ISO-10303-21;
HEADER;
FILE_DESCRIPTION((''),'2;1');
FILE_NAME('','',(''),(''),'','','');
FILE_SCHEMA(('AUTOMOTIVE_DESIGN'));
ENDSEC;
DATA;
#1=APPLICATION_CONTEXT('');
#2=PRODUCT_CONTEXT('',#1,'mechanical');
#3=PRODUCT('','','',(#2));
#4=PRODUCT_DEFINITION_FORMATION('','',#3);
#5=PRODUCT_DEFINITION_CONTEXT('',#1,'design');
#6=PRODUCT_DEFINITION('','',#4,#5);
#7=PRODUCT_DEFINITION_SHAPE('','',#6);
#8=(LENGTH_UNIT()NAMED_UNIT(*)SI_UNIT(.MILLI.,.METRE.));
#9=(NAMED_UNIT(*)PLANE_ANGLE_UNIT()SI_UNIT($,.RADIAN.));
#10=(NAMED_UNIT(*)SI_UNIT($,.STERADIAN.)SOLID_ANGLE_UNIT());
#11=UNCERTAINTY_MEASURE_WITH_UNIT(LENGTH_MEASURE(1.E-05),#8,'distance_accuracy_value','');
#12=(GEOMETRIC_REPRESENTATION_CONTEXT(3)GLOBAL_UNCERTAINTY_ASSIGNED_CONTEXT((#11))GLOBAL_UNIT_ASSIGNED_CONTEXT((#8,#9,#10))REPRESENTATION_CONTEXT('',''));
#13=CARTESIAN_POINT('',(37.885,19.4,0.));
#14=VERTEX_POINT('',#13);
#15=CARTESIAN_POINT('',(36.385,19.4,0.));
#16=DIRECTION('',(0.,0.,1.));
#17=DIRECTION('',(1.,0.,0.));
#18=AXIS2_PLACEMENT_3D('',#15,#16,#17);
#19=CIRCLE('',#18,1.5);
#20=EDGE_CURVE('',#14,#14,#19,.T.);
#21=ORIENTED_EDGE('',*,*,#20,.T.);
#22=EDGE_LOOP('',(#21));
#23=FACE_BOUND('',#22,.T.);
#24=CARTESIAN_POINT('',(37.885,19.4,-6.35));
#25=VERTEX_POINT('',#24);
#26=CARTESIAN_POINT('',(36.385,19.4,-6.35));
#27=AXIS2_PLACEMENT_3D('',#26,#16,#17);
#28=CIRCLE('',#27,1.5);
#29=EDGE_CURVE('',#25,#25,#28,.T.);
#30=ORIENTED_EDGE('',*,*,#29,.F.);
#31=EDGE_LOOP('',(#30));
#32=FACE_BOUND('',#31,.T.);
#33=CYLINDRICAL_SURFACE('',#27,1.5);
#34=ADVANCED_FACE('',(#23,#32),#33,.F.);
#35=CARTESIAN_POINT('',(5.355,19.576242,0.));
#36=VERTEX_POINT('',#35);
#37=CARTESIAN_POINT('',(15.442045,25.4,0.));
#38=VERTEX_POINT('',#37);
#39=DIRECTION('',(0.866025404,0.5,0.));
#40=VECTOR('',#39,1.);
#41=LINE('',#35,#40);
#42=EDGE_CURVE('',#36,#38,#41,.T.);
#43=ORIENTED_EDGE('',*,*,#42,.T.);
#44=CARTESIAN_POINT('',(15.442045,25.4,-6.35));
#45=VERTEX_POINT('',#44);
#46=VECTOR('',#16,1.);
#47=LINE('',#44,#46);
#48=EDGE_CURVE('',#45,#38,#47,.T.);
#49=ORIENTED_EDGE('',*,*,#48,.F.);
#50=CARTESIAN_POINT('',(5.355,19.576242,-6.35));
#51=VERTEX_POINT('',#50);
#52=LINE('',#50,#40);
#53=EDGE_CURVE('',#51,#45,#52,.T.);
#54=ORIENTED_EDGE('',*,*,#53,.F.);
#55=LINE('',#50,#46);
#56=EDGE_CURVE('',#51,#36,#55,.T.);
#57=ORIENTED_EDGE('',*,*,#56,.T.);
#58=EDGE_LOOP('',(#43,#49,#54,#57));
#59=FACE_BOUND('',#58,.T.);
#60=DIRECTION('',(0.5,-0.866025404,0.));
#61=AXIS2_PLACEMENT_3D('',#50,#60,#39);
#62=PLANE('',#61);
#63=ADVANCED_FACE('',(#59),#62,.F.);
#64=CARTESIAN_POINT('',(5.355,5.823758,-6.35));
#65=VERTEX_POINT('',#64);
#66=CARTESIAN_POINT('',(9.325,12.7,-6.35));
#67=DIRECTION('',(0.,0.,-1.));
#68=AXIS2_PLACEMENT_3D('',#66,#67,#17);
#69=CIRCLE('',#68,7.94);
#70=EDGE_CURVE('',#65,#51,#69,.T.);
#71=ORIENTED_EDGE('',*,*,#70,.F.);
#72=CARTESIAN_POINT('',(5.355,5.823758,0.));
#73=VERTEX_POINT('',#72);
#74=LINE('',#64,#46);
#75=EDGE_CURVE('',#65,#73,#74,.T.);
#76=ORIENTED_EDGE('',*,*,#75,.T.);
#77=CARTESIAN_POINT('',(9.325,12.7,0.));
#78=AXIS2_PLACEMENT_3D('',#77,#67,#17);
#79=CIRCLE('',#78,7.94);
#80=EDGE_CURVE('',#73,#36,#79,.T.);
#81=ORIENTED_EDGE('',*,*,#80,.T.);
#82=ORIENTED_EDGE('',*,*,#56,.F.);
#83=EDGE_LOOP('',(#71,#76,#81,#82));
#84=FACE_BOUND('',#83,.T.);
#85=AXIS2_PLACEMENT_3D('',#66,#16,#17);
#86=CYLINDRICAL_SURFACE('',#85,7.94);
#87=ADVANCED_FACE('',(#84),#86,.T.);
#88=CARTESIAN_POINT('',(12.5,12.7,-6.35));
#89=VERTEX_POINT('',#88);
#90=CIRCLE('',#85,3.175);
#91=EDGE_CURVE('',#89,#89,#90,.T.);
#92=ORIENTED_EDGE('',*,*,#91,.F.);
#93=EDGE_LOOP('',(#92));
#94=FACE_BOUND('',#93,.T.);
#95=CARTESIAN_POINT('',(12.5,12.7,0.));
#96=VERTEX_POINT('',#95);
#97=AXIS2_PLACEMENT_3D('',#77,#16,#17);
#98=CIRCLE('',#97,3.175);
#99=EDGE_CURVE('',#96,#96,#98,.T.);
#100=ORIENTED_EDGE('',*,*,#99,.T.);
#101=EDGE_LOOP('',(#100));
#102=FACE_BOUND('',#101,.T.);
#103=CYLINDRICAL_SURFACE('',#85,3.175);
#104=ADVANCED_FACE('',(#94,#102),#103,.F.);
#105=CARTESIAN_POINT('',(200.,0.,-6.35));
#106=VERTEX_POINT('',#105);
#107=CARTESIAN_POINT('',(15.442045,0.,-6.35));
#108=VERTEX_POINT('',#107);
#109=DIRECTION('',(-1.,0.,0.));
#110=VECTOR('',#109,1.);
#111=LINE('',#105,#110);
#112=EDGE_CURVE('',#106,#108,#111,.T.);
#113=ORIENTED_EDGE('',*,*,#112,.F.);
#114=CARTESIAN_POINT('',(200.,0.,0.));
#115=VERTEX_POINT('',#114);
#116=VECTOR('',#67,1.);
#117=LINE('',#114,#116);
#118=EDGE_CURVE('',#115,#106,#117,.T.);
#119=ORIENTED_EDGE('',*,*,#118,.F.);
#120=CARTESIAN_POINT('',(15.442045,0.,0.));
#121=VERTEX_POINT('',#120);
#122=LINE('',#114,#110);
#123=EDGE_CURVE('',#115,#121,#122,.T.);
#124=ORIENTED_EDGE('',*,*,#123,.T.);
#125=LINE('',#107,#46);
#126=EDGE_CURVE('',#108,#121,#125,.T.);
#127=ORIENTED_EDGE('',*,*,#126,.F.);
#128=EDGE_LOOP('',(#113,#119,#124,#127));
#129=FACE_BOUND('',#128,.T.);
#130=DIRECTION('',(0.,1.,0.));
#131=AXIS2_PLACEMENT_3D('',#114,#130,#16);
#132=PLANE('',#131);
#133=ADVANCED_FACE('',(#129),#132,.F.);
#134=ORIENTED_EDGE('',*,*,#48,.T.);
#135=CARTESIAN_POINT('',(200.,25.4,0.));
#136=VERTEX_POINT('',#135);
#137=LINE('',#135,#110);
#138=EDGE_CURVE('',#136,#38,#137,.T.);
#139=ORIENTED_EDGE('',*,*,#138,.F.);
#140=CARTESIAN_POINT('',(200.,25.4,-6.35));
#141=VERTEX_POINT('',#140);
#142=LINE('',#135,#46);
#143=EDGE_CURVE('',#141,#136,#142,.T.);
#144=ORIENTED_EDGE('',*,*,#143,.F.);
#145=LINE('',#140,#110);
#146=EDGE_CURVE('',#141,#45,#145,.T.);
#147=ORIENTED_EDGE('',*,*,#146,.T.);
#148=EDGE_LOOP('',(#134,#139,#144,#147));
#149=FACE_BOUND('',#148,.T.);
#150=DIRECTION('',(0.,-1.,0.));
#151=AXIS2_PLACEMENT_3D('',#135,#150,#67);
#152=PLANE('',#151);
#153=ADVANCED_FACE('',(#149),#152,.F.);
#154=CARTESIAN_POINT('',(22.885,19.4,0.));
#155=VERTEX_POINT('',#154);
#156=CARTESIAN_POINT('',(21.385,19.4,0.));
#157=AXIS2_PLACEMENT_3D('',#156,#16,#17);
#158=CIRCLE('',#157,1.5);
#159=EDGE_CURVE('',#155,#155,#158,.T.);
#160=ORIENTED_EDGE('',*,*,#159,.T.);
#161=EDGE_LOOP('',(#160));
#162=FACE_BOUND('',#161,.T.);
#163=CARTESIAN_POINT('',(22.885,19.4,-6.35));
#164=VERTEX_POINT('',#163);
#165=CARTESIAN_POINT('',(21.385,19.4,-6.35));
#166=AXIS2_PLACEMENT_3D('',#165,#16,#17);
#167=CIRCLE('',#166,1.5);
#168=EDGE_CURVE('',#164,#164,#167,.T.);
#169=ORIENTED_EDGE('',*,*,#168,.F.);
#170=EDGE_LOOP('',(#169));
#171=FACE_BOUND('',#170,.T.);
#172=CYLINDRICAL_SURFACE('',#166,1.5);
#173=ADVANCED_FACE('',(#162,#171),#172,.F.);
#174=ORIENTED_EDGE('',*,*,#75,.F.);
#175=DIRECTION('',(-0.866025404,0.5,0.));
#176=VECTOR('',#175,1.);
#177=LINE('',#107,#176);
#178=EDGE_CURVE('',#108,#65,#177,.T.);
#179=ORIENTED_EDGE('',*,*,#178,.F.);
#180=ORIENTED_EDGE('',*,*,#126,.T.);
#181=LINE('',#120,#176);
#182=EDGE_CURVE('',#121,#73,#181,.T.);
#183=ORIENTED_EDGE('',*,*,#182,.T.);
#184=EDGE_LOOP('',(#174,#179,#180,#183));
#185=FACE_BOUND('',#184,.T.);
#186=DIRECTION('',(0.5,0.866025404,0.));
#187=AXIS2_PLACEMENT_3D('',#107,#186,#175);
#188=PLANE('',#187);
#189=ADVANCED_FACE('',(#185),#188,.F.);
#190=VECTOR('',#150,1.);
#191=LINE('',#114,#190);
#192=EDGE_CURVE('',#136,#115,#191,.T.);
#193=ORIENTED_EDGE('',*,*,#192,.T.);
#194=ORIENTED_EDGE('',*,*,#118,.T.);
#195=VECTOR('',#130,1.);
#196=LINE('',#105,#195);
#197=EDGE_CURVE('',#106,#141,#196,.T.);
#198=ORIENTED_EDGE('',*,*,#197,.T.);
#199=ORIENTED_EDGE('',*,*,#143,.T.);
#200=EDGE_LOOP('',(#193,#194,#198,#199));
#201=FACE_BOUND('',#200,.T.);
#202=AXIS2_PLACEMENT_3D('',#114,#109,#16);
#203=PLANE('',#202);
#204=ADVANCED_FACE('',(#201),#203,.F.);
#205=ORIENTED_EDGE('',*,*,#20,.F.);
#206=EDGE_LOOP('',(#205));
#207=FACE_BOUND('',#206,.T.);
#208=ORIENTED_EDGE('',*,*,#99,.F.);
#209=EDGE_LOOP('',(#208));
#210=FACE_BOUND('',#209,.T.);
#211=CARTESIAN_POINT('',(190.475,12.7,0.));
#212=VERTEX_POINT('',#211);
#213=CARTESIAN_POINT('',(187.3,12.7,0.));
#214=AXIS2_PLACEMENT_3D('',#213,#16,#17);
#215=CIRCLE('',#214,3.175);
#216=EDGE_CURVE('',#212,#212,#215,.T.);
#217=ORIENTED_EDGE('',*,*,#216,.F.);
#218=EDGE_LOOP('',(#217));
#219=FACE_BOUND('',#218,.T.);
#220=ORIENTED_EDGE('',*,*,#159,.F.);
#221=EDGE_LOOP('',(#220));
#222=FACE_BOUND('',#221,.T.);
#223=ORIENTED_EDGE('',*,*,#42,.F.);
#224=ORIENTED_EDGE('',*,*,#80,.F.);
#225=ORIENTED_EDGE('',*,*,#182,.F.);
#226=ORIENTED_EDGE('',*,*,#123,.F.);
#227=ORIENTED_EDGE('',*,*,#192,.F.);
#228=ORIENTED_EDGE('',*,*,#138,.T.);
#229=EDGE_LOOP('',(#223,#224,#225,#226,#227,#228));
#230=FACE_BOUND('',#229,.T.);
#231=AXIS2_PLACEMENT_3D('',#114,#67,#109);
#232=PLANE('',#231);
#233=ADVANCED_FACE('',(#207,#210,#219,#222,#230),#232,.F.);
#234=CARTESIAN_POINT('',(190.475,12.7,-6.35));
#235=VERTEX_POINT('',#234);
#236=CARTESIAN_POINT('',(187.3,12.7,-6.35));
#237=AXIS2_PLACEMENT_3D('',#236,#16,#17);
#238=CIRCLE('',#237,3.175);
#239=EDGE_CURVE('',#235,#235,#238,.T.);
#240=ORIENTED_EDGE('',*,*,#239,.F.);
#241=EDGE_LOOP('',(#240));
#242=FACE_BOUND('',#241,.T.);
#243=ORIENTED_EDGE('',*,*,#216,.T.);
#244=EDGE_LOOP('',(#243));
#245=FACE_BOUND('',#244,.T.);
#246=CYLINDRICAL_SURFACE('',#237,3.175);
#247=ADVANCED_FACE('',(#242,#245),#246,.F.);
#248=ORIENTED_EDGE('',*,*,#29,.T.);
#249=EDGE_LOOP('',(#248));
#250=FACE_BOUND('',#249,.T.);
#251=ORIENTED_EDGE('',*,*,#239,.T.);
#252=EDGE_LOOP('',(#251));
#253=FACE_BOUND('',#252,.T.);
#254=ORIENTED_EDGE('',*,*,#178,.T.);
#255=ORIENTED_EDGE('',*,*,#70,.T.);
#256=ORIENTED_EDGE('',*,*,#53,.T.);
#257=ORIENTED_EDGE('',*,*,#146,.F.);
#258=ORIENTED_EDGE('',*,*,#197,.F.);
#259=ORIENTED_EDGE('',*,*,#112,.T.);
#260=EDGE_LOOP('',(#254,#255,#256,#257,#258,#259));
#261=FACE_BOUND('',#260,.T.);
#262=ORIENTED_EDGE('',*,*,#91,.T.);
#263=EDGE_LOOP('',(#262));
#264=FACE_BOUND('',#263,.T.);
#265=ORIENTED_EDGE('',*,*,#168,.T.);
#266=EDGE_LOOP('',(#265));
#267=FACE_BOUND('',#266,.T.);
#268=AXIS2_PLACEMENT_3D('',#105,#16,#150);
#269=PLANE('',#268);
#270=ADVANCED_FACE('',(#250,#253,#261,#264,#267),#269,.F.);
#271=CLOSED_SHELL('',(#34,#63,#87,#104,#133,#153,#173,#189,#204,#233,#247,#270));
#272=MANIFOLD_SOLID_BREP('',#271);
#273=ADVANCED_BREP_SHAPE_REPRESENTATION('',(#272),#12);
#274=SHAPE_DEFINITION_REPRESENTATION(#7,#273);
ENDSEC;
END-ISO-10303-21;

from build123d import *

# Parameters (mm, degrees)
SKETCH1_W           = 6.35
SKETCH1_H           = 25.4
BOSS_EXTRUDE1_DEPTH = 200
SKETCH2_R           = 3.175
CUT_EXTRUDE1_DEPTH  = 202.706426521
SKETCH3_R           = 3.175
CUT_EXTRUDE2_DEPTH  = 202.706426521
SKETCH6_R           = 1.5
CUT_EXTRUDE3_DEPTH  = 202.706426521


with BuildPart() as part:
    # Sketch1 → Boss-Extrude1 (new body)
    with BuildSketch(Plane(origin=(0, 0, 0), x_dir=(0, 0, -1), z_dir=(1, 0, 0))):
        with Locations((3.175, 12.7)):
            Rectangle(SKETCH1_W, SKETCH1_H)
    extrude(amount=BOSS_EXTRUDE1_DEPTH)

    # Sketch2 → Cut-Extrude1 (cut, through all)
    with BuildSketch(Plane.XY):
        with Locations((187.3, 12.7)):
            Circle(SKETCH2_R)
    extrude(amount=-CUT_EXTRUDE1_DEPTH, mode=Mode.SUBTRACT)

    # Sketch3 → Cut-Extrude2 (cut, through all)
    with BuildSketch(Plane.XY):
        with Locations((9.325, 12.7)):
            Circle(SKETCH3_R)
        with BuildLine():
            Line((15.442045256, 25.4), (-1, 25.4))
            Line((-1, 25.4), (-1, 0))
            Line((-1, 0), (15.442045256, 0))
            Line((15.442045256, 0), (5.354999675, 5.823758482))
            ThreePointArc((5.354999675, 5.823758482), (1.385, 12.7), (5.354999675, 19.576241518))
            Line((5.354999675, 19.576241518), (15.442045256, 25.4))
        make_face()
    extrude(amount=-CUT_EXTRUDE2_DEPTH, mode=Mode.SUBTRACT)

    # Sketch6 → Cut-Extrude3 (cut, through all)
    with BuildSketch(Plane.XY):
        with Locations((21.385, 19.4)):
            Circle(SKETCH6_R)
        with Locations((36.385, 19.4)):
            Circle(SKETCH6_R)
    extrude(amount=-CUT_EXTRUDE3_DEPTH, mode=Mode.SUBTRACT)


solid = part.part
